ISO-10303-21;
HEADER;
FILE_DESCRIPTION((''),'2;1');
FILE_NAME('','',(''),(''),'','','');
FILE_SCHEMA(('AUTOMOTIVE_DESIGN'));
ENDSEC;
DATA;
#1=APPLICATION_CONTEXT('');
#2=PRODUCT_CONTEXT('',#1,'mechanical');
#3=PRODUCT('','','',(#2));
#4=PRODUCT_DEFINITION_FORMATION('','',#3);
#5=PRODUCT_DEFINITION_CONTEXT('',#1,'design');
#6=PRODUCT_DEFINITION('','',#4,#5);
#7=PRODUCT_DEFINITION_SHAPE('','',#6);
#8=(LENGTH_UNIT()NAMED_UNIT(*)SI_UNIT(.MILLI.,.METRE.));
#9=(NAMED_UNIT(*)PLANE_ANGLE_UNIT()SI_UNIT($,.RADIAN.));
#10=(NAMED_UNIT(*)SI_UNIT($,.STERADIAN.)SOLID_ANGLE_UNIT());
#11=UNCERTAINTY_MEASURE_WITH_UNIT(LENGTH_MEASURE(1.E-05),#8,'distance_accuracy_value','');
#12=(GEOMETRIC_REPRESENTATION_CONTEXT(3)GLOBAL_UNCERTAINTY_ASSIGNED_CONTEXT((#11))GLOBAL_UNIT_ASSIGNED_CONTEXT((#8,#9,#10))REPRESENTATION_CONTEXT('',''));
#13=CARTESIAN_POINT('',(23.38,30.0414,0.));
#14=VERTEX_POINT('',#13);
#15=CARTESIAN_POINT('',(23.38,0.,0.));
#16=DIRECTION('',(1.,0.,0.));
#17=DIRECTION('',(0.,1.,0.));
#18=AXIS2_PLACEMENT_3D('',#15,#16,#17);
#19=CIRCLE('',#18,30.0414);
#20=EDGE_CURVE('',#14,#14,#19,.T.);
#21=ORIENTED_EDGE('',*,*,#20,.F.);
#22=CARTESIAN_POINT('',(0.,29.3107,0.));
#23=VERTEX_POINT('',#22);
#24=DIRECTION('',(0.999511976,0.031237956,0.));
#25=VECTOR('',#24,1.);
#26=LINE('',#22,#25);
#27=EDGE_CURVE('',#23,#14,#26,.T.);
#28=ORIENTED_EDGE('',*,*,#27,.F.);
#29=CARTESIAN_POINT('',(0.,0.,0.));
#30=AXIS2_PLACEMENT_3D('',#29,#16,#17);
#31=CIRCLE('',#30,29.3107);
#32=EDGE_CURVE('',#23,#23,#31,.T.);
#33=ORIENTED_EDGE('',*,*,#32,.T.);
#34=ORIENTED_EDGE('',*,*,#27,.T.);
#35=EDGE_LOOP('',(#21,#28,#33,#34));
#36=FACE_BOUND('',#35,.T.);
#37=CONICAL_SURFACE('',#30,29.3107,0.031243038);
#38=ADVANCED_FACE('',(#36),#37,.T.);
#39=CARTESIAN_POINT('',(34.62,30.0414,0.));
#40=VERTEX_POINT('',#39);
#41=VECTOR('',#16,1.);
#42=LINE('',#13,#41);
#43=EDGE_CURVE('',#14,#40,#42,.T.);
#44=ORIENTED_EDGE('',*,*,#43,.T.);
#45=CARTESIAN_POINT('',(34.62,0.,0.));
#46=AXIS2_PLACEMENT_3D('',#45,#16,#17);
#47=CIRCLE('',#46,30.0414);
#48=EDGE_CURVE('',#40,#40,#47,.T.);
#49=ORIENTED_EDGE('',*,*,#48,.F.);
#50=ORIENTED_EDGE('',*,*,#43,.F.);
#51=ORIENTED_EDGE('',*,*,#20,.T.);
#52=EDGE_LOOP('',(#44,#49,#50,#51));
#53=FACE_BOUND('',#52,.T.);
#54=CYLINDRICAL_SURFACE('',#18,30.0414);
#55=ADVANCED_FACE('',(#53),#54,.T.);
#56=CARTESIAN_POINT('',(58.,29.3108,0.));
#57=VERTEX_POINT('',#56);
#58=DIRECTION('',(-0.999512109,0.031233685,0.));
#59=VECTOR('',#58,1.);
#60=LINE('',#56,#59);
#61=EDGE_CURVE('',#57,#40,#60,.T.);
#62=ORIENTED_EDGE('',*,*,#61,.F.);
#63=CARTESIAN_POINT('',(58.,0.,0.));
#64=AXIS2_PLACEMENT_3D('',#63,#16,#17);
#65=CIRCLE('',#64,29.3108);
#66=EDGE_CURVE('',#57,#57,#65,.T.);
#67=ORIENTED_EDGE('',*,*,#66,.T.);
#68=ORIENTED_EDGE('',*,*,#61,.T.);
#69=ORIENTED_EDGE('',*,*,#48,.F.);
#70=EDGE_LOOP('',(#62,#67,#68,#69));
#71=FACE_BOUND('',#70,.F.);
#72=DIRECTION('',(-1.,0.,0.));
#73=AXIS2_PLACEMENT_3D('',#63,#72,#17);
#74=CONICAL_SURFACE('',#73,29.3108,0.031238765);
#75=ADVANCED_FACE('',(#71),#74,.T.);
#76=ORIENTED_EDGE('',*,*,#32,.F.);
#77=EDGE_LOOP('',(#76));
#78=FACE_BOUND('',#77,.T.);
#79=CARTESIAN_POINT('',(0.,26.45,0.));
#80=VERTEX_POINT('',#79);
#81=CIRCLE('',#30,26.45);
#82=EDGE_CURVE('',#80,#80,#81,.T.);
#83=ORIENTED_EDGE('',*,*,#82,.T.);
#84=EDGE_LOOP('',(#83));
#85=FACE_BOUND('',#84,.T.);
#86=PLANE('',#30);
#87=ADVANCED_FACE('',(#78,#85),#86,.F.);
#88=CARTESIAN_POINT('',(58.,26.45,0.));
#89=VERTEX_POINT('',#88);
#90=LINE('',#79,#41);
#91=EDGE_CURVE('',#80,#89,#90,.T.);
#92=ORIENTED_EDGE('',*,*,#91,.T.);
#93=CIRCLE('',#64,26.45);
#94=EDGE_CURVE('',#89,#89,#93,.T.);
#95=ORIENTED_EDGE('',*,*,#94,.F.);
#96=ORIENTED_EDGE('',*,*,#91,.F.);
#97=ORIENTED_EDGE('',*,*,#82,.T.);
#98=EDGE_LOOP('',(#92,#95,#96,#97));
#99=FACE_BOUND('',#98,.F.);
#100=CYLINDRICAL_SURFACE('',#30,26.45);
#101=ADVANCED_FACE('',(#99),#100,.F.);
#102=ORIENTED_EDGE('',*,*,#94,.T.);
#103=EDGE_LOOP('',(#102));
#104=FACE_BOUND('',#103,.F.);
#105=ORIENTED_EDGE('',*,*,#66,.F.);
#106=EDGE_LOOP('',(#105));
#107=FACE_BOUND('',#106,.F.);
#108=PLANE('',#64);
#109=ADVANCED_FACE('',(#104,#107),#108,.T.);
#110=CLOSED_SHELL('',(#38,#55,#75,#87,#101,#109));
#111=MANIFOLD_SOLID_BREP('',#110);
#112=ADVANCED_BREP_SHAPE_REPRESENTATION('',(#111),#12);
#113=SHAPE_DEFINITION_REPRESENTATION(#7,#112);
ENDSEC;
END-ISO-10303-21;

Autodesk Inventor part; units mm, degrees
ref_plane "YZ Plane" through (0, 0, 0) normal (1, 0, 0) x (0, 1, 0)
ref_plane "XZ Plane" through (0, 0, 0) normal (0, 1, 0) x (-1, 0, 0)
ref_plane "XY Plane" through (0, 0, 0) normal (0, 0, 1) x (1, 0, 0)
sketch "Sketch1" plane through (0, 0, 0) normal (0, 0, 1) x (1, 0, 0)
  line L0 (0, 0) -> (58, 0)
  line L1 (58, 26.45) -> (58, 29.3108)
  line L2 (58, 26.45) -> (58, 0) construction
  line L3 (0, 26.45) -> (0, 29.3107)
  line L4 (0, 26.45) -> (0, 0) construction
  line L5 (0, 26.45) -> (58, 26.45)
  line L6 (0, 29.3107) -> (23.38, 30.0414)
  line L7 (29, 30.0414) -> (29, 0) construction
  line L8 (15.88, 29.807) -> (15.88, 0) construction
  line L9 (58, 29.3108) -> (34.62, 30.0414)
  line L10 (23.38, 30.0414) -> (34.62, 30.0414)
  line L11 (23.38, 30.0414) -> (23.38, 0) construction
  line L12 (34.62, 30.0414) -> (34.62, 0) construction
  dimension "d1" = 1.79
  dimension "d2" = 58
  dimension "d7" = 15.88
  dimension "d8" = 59.614
  dimension "d57" = 52.9
  dimension "d60" = 23.38
  dimension "d62" = 0
revolve "Revolution1" add sketch "Sketch1" angle 360 about axis through (0, 0, 0) along (1, 0, 0)
thread "Thread1" size "R 2" standard "JIS Taper" length 26.1
thread "Thread2" size "R 2" standard "JIS Taper" length 26.1
equation "\"d2\" = L"
equation "\"d7\" = a"
equation "\"d8\" = MjD"
equation "\"d57\" = d"
equation "\"d60\" = ll"
equation "\"d3\" = 0.45 * L"
equation "\"d5\" = 0.45 * L"
equation "\"MjD\" = 59.614"
equation "\"d\" = 52.9"
equation "\"a\" = 15.88"
equation "\"ll\" = 23.38"
properties part number "JIS B 2302 Barrel Nipple 2" material "Steel, Carbon"
